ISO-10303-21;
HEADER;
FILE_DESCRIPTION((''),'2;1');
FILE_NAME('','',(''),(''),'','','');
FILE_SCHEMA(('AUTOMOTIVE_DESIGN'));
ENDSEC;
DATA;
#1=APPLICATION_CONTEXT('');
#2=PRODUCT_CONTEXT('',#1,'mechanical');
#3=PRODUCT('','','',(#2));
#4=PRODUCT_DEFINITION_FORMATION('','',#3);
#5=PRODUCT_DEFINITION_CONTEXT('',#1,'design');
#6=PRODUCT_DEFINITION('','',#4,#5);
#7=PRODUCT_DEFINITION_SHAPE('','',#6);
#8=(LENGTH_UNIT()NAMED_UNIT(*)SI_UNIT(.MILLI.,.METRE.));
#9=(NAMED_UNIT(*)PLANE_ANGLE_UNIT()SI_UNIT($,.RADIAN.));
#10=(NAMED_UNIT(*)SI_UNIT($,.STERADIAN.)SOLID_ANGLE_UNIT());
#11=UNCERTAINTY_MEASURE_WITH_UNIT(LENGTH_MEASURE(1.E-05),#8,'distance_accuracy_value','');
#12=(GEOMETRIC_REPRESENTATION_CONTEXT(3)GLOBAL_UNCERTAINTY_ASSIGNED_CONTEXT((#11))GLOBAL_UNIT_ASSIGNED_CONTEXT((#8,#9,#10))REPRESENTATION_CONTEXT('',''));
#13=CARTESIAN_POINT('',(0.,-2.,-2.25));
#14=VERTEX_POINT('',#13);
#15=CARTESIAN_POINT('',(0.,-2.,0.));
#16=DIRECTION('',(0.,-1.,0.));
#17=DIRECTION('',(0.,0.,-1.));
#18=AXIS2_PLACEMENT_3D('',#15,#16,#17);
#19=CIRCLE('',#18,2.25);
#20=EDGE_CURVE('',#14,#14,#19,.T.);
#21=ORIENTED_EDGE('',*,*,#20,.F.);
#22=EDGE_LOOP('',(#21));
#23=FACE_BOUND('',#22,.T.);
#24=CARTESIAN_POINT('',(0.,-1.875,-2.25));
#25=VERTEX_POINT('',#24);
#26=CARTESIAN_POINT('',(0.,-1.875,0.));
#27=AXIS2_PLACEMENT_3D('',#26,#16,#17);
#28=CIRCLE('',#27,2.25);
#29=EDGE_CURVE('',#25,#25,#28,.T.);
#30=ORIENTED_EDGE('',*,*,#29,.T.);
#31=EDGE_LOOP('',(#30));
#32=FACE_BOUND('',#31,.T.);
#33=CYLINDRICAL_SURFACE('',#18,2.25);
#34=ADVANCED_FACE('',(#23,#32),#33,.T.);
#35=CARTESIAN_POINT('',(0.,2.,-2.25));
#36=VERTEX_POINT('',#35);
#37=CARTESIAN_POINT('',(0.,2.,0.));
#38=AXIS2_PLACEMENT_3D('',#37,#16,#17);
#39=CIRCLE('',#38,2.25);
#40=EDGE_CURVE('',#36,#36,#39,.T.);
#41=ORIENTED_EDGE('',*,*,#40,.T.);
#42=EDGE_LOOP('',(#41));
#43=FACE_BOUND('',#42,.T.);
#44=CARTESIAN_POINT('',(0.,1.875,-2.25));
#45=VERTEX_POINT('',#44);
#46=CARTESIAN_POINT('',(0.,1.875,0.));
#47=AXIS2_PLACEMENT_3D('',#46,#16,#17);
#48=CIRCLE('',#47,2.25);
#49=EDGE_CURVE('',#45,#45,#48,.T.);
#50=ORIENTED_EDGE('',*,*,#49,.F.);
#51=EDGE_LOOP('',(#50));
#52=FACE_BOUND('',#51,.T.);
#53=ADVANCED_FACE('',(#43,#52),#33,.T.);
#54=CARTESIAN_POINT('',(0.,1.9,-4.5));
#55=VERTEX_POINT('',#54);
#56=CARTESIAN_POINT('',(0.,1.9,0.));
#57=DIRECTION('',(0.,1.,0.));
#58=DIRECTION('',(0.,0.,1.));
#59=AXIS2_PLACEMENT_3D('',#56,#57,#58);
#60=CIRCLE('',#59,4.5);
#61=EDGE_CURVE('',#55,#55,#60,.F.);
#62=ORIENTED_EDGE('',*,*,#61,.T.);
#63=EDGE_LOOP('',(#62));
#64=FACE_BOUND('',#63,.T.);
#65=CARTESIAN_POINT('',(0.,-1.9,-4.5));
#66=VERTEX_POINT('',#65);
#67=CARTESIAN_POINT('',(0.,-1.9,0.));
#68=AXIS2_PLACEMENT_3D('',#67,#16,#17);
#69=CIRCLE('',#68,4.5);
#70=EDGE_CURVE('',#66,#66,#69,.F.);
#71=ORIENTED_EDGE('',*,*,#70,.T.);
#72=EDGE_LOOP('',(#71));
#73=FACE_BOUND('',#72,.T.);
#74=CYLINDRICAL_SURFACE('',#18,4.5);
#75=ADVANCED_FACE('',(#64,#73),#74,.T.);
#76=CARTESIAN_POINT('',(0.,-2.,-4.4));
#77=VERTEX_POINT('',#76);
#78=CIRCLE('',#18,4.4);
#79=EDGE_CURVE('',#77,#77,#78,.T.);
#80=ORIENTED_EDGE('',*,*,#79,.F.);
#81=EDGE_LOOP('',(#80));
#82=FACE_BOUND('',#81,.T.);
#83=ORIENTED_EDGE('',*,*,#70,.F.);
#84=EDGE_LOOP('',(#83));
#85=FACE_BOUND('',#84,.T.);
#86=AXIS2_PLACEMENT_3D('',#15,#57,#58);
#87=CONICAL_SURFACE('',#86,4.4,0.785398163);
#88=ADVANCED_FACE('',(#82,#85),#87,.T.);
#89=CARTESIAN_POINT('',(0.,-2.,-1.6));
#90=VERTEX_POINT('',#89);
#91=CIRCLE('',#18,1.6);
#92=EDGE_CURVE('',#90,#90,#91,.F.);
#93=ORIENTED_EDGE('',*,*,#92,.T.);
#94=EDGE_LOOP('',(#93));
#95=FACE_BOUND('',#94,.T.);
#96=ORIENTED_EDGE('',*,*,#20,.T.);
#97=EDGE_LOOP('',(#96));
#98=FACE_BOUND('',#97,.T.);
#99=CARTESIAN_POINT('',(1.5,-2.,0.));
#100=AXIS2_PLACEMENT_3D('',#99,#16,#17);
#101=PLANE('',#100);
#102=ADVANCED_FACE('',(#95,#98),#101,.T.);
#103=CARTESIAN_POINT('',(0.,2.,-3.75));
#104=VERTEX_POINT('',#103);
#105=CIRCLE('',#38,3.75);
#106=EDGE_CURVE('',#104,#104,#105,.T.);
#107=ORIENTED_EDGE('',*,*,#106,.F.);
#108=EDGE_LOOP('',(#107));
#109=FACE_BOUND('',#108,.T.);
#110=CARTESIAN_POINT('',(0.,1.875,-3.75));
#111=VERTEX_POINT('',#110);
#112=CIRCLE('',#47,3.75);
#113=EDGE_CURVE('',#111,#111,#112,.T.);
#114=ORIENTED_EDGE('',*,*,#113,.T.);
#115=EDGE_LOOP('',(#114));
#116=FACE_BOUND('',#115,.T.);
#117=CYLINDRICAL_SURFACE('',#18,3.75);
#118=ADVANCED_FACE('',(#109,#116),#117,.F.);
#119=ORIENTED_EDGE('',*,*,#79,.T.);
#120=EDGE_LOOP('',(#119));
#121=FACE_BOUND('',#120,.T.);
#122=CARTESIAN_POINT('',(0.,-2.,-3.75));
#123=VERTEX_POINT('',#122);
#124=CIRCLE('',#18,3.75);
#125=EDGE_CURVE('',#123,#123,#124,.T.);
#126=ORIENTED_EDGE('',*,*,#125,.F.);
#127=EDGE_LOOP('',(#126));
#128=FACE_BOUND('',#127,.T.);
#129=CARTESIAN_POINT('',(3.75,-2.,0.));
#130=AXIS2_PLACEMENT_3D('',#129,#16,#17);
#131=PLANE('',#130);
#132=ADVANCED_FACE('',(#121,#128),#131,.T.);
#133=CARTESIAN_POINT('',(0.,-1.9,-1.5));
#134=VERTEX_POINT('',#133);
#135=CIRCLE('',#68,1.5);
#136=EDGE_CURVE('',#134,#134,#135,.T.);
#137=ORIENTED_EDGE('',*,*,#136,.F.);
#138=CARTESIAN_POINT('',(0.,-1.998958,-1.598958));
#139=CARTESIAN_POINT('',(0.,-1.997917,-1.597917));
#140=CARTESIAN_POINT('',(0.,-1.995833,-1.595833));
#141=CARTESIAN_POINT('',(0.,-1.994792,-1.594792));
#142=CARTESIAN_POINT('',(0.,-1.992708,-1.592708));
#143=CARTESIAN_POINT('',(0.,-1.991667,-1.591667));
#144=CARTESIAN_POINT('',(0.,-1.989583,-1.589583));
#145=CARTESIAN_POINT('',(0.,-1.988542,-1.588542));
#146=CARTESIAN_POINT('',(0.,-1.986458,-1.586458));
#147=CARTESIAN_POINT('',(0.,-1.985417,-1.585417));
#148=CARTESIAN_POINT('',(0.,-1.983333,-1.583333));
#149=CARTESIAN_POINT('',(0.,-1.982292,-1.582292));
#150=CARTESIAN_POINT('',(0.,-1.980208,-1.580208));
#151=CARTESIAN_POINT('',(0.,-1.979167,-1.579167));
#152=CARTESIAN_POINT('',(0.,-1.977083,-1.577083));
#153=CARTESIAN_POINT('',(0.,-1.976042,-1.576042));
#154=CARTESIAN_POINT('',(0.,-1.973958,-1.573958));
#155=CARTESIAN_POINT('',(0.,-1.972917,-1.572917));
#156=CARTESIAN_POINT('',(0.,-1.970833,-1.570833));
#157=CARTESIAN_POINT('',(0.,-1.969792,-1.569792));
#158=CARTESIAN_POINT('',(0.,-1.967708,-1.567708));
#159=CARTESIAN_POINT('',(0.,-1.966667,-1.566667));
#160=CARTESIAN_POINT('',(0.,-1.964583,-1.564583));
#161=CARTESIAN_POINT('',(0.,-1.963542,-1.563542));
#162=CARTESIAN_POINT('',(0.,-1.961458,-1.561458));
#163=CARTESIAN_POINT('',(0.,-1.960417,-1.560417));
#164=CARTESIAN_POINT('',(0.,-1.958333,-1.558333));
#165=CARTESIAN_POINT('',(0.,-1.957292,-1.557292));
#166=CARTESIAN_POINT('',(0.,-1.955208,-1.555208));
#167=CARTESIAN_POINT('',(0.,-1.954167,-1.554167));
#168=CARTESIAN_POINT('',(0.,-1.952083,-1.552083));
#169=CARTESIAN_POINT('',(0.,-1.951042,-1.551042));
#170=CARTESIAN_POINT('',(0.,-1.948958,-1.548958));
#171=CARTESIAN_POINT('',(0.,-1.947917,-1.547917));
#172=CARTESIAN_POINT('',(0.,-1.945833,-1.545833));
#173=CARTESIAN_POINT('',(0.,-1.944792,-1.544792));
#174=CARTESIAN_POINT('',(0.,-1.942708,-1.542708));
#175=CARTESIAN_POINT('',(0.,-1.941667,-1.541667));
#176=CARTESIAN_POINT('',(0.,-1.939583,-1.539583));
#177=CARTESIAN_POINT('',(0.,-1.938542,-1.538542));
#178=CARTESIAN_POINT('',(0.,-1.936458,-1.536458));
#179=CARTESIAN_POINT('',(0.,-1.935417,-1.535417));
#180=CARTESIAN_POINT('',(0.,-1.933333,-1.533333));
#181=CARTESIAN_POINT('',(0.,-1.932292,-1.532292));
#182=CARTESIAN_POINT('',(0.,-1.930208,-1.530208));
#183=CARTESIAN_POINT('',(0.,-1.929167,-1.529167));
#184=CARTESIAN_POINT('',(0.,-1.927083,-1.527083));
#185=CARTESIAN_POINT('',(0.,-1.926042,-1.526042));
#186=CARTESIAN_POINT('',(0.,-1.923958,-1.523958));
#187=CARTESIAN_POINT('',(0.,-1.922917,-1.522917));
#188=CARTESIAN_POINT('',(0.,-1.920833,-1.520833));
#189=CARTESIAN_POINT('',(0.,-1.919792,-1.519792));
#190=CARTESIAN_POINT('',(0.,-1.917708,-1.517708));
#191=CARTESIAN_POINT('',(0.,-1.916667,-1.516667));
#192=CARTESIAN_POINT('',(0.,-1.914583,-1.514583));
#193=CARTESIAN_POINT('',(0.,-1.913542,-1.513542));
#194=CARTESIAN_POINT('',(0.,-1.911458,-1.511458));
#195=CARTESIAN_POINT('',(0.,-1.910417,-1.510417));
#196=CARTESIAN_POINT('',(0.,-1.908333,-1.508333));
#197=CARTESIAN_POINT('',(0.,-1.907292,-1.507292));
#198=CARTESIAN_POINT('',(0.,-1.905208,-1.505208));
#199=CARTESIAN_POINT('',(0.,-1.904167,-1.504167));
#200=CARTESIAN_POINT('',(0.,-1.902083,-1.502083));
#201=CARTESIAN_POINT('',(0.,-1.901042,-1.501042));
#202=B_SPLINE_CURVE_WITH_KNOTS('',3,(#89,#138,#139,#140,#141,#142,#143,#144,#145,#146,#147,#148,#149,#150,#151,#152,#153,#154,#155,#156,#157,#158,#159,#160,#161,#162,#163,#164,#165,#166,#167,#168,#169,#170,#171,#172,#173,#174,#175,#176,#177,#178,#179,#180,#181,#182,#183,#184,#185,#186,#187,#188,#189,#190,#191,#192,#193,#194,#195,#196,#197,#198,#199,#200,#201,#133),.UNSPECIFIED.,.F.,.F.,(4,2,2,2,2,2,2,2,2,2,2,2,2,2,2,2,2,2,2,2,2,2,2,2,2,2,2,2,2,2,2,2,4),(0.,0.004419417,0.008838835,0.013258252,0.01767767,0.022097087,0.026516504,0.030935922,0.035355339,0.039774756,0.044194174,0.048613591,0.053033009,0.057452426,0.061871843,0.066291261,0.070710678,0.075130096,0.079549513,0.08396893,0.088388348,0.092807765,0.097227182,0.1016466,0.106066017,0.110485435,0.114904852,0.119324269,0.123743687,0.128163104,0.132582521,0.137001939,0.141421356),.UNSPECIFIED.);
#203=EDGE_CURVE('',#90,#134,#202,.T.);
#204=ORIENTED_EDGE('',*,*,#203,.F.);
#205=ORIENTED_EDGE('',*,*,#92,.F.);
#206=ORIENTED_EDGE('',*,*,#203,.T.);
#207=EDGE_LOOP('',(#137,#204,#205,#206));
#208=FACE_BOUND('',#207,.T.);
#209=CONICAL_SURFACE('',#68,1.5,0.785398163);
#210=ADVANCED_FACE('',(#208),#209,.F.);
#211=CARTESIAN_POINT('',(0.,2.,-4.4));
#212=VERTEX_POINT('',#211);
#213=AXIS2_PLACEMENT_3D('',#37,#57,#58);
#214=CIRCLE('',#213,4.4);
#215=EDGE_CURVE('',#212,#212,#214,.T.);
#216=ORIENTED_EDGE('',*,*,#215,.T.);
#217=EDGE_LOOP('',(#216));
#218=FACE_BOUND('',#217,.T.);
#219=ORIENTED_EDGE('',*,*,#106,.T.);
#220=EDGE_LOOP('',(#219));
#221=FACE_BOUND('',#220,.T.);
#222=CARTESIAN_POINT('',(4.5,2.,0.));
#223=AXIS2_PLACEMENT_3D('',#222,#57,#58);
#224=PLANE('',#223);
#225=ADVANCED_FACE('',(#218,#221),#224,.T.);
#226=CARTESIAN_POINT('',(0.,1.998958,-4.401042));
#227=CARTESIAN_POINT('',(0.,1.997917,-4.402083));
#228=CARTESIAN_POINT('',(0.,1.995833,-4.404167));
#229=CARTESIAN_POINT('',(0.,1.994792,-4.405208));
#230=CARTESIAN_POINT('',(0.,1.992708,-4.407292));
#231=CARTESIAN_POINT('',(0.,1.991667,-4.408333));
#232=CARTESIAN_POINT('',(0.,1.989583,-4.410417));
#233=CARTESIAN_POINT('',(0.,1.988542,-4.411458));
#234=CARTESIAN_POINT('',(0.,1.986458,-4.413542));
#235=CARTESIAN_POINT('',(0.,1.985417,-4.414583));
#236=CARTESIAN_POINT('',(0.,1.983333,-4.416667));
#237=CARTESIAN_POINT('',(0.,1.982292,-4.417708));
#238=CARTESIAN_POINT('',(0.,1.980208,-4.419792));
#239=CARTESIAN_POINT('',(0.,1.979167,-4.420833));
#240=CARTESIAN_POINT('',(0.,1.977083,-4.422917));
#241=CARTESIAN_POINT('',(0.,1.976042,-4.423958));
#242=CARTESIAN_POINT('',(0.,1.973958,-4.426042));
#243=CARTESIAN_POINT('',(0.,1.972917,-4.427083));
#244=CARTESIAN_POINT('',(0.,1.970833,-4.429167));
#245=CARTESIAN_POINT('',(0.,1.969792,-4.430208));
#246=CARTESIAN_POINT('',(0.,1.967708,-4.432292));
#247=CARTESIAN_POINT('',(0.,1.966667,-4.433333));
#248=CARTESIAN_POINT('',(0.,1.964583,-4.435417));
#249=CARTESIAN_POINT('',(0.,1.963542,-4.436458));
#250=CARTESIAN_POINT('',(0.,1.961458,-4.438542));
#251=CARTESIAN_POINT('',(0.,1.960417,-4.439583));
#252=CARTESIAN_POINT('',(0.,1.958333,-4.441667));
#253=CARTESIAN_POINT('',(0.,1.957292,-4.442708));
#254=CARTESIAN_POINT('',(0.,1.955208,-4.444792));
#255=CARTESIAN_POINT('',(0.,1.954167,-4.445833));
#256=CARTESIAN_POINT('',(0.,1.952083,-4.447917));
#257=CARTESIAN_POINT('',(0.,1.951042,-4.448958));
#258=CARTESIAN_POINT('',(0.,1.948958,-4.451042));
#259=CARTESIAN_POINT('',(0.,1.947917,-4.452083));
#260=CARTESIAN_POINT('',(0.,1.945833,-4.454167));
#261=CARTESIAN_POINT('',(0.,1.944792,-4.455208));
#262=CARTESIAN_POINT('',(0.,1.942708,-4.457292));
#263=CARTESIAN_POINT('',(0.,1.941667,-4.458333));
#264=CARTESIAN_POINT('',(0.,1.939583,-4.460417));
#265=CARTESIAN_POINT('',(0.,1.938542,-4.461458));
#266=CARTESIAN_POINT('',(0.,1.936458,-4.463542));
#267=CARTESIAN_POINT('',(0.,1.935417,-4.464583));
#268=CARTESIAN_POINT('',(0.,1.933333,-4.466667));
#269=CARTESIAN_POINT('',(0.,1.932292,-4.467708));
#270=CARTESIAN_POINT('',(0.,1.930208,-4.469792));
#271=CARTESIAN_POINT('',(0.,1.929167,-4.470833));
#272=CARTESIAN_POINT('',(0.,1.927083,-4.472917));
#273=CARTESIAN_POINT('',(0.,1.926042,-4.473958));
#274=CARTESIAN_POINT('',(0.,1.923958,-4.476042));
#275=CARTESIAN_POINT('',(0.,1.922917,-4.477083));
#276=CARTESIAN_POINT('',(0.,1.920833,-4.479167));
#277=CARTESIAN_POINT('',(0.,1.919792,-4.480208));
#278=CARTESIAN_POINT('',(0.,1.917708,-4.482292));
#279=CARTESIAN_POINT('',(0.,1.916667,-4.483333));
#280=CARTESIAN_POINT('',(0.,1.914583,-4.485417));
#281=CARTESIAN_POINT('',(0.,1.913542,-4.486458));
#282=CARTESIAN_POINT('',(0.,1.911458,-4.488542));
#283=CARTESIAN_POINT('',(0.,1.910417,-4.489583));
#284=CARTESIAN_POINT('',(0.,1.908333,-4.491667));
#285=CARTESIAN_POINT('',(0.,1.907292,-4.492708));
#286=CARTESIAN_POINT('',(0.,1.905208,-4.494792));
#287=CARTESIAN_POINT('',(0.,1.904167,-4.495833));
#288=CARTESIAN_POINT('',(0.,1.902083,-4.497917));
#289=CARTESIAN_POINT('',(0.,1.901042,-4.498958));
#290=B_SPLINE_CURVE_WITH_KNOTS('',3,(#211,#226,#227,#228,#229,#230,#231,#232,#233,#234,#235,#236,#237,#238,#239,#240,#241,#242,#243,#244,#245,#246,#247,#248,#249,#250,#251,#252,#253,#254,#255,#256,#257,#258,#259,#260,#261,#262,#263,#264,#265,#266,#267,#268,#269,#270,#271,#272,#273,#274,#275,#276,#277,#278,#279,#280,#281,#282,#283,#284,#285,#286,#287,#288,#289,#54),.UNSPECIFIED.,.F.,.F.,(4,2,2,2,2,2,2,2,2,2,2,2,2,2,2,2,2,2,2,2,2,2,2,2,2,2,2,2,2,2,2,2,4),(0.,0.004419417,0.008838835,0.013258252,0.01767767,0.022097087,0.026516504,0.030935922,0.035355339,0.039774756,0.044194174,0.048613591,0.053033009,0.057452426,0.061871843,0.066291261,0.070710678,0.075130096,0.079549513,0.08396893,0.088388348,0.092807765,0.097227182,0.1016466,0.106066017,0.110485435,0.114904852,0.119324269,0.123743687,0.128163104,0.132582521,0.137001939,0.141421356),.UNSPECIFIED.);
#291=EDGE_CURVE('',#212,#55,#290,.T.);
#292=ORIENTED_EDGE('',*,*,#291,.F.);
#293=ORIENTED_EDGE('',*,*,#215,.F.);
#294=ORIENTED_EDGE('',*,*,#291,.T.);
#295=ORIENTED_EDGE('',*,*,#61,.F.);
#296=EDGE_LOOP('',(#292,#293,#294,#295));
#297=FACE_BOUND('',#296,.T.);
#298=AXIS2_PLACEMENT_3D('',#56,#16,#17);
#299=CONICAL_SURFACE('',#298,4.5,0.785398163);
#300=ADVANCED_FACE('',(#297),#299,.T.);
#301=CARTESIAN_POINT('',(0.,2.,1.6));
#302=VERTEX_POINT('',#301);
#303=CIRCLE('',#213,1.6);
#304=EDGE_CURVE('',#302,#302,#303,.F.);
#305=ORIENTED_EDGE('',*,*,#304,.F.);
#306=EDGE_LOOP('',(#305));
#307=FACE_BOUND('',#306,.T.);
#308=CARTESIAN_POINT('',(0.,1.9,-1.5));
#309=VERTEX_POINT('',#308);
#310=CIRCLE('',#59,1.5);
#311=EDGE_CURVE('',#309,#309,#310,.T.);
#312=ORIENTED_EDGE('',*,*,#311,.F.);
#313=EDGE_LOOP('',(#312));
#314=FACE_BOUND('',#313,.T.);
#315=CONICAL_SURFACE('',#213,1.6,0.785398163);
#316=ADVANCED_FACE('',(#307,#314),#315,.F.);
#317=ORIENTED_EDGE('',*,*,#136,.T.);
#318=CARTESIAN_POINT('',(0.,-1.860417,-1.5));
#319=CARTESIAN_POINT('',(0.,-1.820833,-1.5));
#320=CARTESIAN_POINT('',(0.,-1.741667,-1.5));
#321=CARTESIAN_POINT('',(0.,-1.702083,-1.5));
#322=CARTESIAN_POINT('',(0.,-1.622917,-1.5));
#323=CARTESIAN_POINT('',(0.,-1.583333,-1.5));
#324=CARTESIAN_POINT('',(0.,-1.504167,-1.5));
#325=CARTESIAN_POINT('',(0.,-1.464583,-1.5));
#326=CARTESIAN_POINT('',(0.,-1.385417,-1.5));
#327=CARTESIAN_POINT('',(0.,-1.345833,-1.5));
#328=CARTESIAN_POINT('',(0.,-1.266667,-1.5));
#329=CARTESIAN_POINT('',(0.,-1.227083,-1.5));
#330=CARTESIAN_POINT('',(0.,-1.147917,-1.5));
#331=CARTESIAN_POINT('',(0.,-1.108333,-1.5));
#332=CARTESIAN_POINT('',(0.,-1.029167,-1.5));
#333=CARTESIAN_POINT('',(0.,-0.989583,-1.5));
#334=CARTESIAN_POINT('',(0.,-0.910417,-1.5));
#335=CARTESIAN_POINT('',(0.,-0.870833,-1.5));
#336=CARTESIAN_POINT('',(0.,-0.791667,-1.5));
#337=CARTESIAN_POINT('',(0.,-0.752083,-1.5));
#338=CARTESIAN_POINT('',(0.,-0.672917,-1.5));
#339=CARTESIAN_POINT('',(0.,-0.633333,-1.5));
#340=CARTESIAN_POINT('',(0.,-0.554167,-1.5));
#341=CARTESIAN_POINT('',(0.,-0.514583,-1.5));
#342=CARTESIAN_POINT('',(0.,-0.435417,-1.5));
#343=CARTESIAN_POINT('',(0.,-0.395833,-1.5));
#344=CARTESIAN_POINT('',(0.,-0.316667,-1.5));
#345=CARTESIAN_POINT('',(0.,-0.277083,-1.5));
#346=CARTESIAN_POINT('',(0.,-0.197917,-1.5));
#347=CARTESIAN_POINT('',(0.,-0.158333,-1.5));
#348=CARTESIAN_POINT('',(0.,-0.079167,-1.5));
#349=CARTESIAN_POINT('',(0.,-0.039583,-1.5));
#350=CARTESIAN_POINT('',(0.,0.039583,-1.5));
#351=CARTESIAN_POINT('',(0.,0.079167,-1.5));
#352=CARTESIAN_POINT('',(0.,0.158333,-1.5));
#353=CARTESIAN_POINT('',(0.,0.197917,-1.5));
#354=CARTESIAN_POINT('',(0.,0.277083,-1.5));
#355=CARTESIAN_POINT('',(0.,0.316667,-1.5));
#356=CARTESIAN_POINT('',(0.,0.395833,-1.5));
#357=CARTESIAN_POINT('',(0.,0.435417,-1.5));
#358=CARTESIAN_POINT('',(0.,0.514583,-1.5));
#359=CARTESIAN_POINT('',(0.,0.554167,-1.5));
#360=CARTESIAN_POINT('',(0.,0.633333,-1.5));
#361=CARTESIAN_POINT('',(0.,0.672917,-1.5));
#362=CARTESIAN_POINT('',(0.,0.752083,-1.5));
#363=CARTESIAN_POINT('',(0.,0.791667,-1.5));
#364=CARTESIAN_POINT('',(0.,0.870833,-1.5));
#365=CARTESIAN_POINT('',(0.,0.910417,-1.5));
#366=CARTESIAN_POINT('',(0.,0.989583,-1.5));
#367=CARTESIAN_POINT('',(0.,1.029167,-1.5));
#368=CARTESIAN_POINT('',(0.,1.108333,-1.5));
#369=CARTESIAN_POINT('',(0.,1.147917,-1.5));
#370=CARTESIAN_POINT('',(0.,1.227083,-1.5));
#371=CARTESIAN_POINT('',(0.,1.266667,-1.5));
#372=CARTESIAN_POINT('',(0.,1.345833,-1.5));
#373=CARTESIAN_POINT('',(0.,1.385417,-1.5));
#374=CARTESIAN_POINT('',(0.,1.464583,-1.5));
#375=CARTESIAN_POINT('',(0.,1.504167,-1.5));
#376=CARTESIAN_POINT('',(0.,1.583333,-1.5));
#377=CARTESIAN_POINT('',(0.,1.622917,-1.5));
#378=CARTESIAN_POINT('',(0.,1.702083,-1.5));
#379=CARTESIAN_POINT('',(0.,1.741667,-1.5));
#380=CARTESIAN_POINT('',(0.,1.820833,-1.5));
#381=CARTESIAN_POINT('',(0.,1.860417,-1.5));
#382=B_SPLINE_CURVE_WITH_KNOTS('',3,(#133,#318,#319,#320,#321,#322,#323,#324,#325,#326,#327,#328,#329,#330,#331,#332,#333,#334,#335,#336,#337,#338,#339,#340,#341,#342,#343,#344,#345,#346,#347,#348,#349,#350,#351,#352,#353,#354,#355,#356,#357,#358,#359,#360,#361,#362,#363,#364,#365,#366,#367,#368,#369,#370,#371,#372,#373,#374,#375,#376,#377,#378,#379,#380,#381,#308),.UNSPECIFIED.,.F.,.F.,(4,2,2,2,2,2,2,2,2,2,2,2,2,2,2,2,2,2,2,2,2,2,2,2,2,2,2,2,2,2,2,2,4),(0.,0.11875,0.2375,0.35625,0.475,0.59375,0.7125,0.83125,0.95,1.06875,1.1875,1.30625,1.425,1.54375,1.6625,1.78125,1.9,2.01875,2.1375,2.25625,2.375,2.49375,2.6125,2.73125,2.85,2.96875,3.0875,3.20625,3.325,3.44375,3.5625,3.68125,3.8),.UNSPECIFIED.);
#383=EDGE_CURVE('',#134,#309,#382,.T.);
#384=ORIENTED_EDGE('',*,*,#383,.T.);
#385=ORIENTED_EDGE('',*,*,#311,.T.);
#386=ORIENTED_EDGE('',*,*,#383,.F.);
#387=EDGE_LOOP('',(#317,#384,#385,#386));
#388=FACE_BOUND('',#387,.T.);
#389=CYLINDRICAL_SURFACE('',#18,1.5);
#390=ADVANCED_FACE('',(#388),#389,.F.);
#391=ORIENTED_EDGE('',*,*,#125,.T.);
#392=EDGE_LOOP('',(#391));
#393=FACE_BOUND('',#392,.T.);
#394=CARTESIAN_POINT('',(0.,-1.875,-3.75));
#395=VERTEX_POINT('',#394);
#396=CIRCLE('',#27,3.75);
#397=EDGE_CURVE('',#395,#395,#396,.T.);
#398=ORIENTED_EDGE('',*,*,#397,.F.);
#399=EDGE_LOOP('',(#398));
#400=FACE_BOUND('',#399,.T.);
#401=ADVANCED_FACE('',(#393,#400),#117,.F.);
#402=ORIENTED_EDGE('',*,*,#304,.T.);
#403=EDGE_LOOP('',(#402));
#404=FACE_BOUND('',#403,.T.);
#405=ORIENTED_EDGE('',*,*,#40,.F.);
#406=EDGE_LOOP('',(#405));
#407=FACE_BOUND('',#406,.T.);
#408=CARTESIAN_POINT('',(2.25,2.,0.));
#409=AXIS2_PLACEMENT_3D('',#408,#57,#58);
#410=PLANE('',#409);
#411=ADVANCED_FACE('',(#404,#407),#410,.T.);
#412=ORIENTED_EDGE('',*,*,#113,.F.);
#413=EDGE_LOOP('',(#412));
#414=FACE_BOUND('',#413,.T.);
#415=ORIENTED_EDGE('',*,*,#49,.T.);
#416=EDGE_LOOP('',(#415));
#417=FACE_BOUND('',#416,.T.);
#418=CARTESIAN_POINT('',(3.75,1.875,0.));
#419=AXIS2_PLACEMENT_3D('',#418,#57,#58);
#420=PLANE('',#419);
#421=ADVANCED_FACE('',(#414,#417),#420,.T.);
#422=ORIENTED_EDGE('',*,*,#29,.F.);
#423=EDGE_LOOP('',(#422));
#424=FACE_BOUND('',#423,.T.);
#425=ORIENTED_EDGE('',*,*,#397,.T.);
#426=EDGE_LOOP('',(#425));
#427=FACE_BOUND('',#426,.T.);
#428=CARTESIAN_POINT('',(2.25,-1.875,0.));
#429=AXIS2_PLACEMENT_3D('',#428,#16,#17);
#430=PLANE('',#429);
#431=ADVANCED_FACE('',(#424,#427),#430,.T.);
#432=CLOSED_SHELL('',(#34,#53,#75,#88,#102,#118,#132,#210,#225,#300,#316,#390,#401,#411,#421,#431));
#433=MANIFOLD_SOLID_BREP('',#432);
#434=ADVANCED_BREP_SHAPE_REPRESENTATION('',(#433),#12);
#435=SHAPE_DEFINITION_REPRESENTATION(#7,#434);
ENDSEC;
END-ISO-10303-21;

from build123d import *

# Parameters (mm, degrees)
CHAMFER1_SIZE = 0.1


with BuildPart() as part:
    # Sketch2 → Revolve1 (revolve)
    with BuildSketch(Plane.XY, mode=Mode.PRIVATE) as revolve1_sk:
        Polygon((1.5, 2), (1.5, -2), (2.25, -2), (2.25, -1.875), (3.75, -1.875), (3.75, -2), (4.5, -2), (4.5, 2), (3.75, 2), (3.75, 1.875), (2.25, 1.875), (2.25, 2), align=None)
    revolve(revolve1_sk.sketch.rotate(Axis((0, -2, 0), (0, 1, 0)), 90), axis=Axis((0, -2, 0), (0, 1, 0)))

    # Chamfer1
    chamfer1_edges = [part.edges().sort_by_distance(p)[0] for p in [
        (0, 2, 4.5),
        (0, -2, 4.5),
        (0, -2, 1.5),
        (0, 2, 1.5),
    ]]
    chamfer(chamfer1_edges, length=CHAMFER1_SIZE)


solid = part.part
